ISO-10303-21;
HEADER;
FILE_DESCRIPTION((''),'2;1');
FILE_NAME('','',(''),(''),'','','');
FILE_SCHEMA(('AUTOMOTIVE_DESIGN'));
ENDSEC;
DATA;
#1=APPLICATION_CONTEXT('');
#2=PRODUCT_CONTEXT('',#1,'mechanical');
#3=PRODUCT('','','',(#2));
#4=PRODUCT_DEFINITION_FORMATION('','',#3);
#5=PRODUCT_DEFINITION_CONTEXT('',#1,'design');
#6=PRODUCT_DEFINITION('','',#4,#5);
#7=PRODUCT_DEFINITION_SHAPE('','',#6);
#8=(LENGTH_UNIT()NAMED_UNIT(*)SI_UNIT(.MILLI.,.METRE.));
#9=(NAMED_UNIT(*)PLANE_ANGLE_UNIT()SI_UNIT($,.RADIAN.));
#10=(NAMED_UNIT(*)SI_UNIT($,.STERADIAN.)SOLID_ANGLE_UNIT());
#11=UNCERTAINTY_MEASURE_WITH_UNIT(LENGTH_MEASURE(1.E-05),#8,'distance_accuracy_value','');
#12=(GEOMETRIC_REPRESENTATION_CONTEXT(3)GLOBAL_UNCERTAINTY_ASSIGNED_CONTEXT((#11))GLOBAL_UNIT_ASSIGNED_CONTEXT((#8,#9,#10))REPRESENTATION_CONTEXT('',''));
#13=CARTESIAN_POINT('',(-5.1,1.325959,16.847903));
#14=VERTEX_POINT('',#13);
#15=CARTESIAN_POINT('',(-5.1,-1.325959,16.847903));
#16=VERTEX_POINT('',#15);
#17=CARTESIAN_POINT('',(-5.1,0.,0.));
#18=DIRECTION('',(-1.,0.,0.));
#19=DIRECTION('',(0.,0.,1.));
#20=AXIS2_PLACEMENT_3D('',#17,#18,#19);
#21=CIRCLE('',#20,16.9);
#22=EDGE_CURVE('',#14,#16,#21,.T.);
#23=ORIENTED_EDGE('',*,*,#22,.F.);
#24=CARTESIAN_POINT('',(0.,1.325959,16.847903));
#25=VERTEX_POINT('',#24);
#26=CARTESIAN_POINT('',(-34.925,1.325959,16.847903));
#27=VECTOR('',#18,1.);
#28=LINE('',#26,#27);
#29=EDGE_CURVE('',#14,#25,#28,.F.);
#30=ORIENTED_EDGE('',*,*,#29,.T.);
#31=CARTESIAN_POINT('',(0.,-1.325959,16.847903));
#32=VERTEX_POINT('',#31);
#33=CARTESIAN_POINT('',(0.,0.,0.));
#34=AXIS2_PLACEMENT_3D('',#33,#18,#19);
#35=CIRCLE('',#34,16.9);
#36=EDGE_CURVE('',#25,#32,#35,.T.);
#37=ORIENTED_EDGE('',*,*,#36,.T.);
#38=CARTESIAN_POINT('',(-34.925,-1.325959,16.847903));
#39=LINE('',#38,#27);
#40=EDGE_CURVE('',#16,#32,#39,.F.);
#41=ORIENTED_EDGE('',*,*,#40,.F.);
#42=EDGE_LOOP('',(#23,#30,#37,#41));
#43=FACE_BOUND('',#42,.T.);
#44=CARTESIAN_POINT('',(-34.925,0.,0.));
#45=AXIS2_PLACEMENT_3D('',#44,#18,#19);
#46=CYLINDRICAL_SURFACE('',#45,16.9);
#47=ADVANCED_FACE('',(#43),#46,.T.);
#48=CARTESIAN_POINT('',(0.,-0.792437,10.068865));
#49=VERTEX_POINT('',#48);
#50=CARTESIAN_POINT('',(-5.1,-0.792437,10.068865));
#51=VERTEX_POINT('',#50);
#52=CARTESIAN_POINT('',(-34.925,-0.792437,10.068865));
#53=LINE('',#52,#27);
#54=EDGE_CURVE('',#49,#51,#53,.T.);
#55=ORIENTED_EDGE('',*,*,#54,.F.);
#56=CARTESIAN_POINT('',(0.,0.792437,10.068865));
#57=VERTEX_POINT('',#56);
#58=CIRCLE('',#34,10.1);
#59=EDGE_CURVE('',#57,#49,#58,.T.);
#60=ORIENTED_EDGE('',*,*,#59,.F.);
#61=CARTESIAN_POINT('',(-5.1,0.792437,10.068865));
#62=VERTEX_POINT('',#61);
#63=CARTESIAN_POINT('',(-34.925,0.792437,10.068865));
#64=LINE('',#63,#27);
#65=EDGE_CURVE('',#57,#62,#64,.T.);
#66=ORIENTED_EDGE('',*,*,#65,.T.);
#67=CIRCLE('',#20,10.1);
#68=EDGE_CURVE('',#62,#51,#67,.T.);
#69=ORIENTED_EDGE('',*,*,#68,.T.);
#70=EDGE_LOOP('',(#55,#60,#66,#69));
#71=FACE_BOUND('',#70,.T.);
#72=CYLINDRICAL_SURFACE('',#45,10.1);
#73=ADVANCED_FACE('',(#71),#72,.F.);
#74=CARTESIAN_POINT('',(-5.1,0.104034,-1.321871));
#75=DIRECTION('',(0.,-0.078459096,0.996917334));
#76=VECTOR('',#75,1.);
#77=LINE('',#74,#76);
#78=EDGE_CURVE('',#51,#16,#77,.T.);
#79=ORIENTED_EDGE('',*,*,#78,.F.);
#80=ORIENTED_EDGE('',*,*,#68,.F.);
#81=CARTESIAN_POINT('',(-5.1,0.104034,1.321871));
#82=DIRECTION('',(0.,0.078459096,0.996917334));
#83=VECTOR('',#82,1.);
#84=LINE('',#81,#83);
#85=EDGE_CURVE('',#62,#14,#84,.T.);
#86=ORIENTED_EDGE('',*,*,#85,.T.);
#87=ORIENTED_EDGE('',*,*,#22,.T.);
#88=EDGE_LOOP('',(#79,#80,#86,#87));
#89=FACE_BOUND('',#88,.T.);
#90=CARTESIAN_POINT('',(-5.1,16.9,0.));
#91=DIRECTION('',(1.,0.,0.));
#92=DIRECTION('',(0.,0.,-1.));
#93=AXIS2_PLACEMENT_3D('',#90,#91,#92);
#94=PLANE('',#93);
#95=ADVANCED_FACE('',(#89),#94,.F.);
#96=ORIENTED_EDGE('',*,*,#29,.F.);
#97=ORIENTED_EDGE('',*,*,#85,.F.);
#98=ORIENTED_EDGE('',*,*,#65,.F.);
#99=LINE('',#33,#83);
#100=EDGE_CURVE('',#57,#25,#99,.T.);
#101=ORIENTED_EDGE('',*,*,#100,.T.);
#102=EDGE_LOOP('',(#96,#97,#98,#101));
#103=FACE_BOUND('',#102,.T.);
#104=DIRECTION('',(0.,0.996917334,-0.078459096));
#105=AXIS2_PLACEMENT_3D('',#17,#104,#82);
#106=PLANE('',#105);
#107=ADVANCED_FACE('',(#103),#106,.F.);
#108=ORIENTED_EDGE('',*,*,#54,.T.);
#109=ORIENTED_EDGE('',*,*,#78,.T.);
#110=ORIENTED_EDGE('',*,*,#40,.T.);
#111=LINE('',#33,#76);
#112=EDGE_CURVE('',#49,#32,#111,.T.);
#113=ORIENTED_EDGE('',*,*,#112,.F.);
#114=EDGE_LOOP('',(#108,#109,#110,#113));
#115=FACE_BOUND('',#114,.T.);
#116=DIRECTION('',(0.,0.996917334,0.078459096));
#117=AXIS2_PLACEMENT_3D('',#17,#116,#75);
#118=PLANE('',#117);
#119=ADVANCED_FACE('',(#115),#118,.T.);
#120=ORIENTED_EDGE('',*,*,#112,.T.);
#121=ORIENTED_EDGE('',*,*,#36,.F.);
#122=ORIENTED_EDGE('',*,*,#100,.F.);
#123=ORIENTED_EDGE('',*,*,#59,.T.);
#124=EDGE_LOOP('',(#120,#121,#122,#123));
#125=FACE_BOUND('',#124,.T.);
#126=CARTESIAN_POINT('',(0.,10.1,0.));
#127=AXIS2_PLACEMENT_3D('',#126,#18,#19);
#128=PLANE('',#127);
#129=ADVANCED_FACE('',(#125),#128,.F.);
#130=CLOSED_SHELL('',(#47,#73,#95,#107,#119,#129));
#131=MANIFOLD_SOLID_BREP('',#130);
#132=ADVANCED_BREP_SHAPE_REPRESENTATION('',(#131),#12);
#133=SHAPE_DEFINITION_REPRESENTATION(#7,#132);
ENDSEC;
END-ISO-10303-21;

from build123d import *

# Parameters (mm, degrees)
SKETCH1_W = 5.1
SKETCH1_H = 6.8
GAP_DEPTH = 25.438289629


with BuildPart() as part:
    # Sketch1 → Base-Revolve (revolve)
    with BuildSketch(Plane.XY, mode=Mode.PRIVATE) as base_revolve_sk:
        with Locations((-2.55, 13.5)):
            Rectangle(SKETCH1_W, SKETCH1_H)
    revolve(base_revolve_sk.sketch.rotate(Axis((-34.925, 0, 0), (1, 0, 0)), 90), axis=Axis((-34.925, 0, 0), (1, 0, 0)))

    # Sketch2 → Gap (cut, through all)
    with BuildSketch(Plane(origin=(0, 0, 0), x_dir=(0, -1, 0), z_dir=(-1, 0, 0))):
        with BuildLine():
            Line((0, 0), (1.352477892, 17.184860999))
            ThreePointArc((1.352477892, 17.184860999), (0, 17.238), (-1.352477892, 17.184860999))
            Line((-1.352477892, 17.184860999), (0, 0))
        make_face()
    extrude(amount=GAP_DEPTH, mode=Mode.SUBTRACT)


solid = part.part
